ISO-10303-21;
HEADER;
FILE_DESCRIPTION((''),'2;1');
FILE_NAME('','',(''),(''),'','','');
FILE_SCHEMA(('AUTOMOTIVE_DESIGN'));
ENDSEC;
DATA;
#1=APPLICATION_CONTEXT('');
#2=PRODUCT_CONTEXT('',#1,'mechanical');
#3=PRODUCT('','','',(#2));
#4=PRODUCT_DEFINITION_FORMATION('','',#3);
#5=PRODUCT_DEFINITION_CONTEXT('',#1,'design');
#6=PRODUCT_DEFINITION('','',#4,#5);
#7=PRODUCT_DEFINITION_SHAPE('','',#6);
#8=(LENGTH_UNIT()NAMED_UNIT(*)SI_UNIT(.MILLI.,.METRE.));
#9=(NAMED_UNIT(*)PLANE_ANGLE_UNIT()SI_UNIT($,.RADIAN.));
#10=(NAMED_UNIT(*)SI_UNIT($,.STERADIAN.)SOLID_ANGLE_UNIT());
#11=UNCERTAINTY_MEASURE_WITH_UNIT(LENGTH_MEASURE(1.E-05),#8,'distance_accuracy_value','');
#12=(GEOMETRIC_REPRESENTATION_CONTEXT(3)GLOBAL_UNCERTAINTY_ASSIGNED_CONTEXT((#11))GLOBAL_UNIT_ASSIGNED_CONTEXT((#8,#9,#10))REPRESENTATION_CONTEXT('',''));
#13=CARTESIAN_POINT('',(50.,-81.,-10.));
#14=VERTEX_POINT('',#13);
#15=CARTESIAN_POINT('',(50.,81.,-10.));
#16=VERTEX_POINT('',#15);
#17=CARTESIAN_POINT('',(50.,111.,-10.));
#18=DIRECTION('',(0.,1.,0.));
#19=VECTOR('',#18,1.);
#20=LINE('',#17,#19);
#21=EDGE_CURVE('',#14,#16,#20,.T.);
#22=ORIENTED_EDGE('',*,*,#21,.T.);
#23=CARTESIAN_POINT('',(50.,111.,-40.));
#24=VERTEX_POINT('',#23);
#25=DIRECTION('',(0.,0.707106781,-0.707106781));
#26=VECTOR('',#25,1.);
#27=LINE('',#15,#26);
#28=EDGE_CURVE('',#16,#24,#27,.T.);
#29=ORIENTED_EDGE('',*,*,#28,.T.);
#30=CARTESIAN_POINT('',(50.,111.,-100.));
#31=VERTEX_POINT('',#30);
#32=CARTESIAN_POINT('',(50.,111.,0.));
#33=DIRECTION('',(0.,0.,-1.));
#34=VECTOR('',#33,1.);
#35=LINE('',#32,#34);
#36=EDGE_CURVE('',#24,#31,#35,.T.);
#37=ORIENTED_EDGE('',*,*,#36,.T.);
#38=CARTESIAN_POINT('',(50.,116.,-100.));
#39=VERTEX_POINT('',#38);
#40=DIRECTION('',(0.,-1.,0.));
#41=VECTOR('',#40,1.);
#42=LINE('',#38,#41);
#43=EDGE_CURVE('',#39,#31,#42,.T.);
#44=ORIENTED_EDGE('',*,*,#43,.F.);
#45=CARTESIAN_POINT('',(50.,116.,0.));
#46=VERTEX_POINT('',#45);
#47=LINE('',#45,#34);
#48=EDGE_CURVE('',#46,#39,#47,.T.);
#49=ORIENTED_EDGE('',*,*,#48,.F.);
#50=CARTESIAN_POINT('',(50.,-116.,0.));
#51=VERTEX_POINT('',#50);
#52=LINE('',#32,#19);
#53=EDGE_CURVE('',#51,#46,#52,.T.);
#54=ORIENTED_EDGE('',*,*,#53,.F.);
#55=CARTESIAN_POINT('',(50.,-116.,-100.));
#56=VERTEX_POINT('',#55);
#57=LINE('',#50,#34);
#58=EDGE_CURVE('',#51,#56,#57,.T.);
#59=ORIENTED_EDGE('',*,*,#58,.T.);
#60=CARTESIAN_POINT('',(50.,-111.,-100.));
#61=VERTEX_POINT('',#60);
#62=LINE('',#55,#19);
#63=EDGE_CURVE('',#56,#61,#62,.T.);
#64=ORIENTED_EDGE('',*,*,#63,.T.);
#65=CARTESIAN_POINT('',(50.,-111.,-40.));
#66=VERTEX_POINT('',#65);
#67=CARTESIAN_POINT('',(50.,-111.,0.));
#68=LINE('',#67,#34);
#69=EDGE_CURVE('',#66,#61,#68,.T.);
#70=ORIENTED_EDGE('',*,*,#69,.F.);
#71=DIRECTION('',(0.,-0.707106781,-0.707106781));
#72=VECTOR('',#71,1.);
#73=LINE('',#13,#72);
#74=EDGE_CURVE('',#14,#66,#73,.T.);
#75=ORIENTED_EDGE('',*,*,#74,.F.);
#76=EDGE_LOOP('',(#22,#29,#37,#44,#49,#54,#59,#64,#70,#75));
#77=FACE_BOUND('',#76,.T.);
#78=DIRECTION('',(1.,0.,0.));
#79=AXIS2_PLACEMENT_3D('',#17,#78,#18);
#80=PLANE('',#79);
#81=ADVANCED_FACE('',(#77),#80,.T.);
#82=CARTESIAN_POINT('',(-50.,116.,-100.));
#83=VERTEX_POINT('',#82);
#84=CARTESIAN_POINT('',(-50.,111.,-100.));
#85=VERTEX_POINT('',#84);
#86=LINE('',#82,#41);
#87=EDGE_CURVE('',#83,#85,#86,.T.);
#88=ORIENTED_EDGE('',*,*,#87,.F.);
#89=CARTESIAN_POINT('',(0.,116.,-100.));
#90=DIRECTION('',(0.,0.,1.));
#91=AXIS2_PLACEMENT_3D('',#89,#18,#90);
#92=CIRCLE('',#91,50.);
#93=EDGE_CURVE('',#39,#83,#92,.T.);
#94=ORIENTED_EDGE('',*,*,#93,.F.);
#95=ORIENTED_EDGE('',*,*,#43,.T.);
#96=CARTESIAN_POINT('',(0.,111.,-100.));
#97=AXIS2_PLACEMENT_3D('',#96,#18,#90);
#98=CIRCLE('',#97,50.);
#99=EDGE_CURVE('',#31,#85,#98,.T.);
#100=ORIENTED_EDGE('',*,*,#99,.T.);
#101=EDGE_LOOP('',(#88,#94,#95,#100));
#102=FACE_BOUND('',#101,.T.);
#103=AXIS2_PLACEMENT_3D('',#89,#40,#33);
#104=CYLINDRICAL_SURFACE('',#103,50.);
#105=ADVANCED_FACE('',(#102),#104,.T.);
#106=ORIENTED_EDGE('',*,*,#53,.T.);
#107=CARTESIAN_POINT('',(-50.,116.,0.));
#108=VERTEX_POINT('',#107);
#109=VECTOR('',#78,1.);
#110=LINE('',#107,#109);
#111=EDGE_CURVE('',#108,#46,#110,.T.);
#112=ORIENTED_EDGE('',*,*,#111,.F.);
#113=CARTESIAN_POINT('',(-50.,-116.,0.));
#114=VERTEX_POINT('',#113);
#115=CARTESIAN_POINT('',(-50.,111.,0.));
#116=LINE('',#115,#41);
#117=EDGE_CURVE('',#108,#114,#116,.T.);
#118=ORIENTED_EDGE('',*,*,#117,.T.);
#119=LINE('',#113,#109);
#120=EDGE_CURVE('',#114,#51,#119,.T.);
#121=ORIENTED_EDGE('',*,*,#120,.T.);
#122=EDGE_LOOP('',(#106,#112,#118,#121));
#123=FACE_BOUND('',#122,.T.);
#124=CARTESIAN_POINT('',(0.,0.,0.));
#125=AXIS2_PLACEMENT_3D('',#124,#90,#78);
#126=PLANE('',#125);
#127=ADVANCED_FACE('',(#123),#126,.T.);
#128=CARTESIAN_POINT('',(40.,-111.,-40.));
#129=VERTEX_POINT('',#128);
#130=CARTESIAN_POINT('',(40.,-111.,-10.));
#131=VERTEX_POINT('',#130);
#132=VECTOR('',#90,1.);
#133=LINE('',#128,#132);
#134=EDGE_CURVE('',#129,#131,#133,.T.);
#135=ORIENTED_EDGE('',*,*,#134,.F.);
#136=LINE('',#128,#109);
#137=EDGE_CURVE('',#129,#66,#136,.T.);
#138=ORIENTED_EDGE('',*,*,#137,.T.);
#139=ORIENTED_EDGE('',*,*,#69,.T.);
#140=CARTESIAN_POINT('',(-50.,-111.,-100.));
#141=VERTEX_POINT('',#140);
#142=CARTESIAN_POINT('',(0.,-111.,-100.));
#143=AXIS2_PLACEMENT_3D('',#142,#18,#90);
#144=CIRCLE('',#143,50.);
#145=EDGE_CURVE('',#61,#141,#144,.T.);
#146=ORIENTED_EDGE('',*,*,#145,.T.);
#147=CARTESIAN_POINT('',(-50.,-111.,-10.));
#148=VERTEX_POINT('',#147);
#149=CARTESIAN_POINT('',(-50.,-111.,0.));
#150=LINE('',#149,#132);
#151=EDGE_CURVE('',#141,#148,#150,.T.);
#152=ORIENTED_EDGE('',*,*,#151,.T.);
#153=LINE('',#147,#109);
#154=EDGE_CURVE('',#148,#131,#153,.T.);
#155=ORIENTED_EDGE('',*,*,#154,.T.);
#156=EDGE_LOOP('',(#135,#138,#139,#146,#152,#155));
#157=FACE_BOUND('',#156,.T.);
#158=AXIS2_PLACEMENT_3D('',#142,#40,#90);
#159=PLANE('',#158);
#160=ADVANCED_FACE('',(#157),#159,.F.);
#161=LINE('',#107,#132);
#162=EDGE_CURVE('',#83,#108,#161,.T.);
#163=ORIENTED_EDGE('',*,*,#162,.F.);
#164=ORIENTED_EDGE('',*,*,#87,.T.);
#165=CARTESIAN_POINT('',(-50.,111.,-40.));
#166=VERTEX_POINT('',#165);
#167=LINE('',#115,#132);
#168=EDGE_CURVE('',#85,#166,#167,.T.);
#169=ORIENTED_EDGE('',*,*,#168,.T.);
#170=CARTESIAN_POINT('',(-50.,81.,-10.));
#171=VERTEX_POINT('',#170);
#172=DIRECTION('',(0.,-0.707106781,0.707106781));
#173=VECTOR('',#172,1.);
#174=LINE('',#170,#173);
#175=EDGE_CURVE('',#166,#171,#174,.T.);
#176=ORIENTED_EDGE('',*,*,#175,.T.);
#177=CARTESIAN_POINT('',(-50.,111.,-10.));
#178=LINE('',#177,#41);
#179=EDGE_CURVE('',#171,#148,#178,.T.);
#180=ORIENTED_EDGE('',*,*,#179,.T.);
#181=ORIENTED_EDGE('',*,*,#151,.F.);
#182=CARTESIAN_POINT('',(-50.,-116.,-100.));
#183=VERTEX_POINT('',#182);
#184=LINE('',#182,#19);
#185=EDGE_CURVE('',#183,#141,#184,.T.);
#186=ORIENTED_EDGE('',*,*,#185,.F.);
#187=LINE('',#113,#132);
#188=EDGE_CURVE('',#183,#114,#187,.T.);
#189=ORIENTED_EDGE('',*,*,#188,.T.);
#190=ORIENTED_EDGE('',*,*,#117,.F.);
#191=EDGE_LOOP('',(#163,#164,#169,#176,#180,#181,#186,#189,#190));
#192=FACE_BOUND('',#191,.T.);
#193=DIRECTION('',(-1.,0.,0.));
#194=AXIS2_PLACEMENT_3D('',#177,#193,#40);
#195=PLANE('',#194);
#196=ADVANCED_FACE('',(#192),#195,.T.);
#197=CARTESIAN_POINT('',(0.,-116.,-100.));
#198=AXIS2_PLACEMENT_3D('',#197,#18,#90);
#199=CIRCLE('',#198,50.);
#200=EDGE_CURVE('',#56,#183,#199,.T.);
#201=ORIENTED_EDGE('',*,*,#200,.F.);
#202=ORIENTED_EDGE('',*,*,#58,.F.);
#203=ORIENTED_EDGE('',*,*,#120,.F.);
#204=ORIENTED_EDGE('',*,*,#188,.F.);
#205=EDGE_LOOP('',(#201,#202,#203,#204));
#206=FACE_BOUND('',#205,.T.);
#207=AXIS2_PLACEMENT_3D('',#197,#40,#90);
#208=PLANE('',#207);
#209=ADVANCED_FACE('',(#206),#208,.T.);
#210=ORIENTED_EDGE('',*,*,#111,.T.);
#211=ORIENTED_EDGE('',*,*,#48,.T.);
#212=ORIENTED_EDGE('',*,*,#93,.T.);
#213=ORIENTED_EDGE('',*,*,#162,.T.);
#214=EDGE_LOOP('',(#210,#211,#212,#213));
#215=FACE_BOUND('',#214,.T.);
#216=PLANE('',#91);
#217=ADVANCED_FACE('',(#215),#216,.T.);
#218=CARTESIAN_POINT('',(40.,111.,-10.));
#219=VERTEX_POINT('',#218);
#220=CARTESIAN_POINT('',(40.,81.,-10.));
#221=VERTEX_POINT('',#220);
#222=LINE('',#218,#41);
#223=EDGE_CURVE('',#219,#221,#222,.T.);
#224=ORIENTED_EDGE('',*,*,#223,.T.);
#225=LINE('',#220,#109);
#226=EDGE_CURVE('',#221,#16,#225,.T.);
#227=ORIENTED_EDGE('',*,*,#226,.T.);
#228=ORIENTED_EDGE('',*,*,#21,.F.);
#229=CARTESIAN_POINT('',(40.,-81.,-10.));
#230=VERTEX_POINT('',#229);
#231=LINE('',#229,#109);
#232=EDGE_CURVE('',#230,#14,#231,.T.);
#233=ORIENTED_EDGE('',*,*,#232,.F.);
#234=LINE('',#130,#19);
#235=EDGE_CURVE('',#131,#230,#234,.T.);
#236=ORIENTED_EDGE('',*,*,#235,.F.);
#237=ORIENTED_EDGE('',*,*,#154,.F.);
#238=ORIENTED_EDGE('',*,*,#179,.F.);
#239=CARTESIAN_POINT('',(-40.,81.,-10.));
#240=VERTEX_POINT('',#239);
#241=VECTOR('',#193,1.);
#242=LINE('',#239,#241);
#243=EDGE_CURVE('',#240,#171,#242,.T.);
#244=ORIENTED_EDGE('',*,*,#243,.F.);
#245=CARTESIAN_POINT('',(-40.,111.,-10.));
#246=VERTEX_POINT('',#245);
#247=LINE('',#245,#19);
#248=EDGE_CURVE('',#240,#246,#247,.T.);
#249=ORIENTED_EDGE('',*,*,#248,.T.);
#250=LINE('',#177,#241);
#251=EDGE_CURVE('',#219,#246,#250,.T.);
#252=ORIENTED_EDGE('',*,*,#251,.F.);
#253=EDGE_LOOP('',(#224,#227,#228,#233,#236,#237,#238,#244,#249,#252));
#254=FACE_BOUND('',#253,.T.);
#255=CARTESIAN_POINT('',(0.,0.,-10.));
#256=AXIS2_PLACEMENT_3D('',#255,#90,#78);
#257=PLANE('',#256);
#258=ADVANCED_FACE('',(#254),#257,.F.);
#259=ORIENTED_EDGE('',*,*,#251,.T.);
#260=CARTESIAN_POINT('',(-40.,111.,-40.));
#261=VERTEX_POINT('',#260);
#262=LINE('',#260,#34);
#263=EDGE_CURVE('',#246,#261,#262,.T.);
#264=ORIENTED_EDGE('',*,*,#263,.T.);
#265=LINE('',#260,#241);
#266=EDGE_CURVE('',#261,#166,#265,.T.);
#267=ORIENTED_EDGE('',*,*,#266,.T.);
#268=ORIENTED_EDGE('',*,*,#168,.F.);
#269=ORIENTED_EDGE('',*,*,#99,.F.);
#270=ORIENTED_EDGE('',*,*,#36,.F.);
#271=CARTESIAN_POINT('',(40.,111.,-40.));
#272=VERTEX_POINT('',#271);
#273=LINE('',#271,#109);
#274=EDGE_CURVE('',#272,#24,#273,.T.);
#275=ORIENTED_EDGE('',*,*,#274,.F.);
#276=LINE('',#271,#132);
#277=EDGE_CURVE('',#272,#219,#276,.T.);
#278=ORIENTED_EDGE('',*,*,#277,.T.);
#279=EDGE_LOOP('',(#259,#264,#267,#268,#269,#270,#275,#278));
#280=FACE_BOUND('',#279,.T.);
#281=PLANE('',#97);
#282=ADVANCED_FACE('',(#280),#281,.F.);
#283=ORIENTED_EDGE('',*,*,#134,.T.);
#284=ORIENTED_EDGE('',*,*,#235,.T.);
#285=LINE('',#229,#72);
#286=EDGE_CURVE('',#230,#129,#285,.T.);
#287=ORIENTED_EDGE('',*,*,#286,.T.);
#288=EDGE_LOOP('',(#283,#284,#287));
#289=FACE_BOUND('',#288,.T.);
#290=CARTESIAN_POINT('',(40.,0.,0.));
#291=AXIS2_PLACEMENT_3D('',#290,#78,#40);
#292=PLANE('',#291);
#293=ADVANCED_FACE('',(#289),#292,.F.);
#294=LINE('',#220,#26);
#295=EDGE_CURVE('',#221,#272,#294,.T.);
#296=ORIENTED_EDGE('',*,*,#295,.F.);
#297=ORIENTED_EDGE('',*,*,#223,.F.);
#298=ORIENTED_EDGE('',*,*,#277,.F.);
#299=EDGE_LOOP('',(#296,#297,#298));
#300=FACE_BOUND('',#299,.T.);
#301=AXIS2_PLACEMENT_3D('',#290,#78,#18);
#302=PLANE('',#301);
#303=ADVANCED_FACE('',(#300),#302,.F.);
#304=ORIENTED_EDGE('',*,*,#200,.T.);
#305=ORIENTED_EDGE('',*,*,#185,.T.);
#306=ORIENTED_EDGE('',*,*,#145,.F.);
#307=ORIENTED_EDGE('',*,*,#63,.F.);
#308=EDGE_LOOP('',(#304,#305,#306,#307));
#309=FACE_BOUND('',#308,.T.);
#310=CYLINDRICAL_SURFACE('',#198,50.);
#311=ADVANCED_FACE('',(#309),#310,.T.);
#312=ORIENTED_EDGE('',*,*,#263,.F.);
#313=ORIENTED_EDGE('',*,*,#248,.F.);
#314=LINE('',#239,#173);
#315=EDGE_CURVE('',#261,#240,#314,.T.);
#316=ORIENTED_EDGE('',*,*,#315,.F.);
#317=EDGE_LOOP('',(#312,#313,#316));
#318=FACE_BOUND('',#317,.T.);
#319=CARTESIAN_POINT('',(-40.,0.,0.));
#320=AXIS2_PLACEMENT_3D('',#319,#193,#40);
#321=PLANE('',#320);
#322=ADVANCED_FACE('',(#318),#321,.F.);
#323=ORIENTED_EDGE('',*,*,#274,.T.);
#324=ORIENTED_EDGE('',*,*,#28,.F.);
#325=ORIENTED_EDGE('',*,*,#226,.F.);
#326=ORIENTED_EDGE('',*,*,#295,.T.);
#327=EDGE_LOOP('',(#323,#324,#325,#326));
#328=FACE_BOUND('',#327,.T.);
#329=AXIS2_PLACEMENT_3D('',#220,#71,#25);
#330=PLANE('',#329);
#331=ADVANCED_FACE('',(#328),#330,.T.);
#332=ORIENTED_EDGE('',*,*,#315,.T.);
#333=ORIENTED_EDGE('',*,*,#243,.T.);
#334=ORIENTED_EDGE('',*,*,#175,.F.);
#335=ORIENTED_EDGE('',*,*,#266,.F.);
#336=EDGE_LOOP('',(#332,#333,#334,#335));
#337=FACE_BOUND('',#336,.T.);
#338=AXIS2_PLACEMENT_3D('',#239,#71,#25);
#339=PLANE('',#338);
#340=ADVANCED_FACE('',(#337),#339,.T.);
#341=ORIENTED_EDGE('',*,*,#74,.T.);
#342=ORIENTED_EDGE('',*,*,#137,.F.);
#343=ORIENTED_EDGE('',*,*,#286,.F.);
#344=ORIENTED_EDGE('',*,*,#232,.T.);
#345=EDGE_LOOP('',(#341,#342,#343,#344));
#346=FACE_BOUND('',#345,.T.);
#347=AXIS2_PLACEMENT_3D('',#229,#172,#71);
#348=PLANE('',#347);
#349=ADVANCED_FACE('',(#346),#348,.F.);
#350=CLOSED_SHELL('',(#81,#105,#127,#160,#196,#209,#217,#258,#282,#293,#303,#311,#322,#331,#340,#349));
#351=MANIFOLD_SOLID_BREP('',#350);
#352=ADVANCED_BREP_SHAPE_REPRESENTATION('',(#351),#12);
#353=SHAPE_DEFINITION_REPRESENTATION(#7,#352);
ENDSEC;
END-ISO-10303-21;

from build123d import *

# Parameters (mm, degrees)
PLATE_SKETCH_W                  = 100
PLATE_SKETCH_H                  = 222
PLATE_EXTRUDE_DEPTH             = 10
PRIMARY_SUPPORT_EXTRUDE_DEPTH   = 10
SECONDARY_SUPPORT_EXTRUDE_DEPTH = 10
GRIPPER_EXTRUDE_DEPTH           = 5


with BuildPart() as part:
    # Plate Sketch → Plate Extrude (new body)
    with BuildSketch(Plane.XY):
        Rectangle(PLATE_SKETCH_W, PLATE_SKETCH_H)
    extrude(amount=-PLATE_EXTRUDE_DEPTH)

    # Primary Support Sketch → Primary Support Extrude (add)
    with BuildSketch(Plane(origin=(50, 0, 0), x_dir=(0, 0, -1), z_dir=(1, 0, 0))):
        Polygon((10, 111), (10, 81), (40, 111), align=None)
    primary_support_extrude = extrude(amount=-PRIMARY_SUPPORT_EXTRUDE_DEPTH)

    # Primary Support Mirror: Primary Support Extrude across plane
    add(primary_support_extrude.mirror(Plane.ZX))

    # Secondary Support Sketch → Secondary Support Extrude (add)
    with BuildSketch(Plane.ZY.offset(50)):
        Polygon((-10, 81), (-40, 111), (-10, 111), align=None)
    extrude(amount=-SECONDARY_SUPPORT_EXTRUDE_DEPTH)

    # Gripper Sketch → Gripper Extrude (add)
    with BuildSketch(Plane(origin=(0, 111, 0), x_dir=(1, 0, 0), z_dir=(0, 1, 0))):
        with BuildLine():
            Line((-50, 0), (50, 0))
            Line((50, 0), (50, 100))
            ThreePointArc((50, 100), (0, 150), (-50, 100))
            Line((-50, 100), (-50, 0))
        make_face()
    gripper_extrude = extrude(amount=GRIPPER_EXTRUDE_DEPTH)

    # Gripper Mirror: Gripper Extrude across plane
    add(gripper_extrude.mirror(Plane.ZX))


solid = part.part
